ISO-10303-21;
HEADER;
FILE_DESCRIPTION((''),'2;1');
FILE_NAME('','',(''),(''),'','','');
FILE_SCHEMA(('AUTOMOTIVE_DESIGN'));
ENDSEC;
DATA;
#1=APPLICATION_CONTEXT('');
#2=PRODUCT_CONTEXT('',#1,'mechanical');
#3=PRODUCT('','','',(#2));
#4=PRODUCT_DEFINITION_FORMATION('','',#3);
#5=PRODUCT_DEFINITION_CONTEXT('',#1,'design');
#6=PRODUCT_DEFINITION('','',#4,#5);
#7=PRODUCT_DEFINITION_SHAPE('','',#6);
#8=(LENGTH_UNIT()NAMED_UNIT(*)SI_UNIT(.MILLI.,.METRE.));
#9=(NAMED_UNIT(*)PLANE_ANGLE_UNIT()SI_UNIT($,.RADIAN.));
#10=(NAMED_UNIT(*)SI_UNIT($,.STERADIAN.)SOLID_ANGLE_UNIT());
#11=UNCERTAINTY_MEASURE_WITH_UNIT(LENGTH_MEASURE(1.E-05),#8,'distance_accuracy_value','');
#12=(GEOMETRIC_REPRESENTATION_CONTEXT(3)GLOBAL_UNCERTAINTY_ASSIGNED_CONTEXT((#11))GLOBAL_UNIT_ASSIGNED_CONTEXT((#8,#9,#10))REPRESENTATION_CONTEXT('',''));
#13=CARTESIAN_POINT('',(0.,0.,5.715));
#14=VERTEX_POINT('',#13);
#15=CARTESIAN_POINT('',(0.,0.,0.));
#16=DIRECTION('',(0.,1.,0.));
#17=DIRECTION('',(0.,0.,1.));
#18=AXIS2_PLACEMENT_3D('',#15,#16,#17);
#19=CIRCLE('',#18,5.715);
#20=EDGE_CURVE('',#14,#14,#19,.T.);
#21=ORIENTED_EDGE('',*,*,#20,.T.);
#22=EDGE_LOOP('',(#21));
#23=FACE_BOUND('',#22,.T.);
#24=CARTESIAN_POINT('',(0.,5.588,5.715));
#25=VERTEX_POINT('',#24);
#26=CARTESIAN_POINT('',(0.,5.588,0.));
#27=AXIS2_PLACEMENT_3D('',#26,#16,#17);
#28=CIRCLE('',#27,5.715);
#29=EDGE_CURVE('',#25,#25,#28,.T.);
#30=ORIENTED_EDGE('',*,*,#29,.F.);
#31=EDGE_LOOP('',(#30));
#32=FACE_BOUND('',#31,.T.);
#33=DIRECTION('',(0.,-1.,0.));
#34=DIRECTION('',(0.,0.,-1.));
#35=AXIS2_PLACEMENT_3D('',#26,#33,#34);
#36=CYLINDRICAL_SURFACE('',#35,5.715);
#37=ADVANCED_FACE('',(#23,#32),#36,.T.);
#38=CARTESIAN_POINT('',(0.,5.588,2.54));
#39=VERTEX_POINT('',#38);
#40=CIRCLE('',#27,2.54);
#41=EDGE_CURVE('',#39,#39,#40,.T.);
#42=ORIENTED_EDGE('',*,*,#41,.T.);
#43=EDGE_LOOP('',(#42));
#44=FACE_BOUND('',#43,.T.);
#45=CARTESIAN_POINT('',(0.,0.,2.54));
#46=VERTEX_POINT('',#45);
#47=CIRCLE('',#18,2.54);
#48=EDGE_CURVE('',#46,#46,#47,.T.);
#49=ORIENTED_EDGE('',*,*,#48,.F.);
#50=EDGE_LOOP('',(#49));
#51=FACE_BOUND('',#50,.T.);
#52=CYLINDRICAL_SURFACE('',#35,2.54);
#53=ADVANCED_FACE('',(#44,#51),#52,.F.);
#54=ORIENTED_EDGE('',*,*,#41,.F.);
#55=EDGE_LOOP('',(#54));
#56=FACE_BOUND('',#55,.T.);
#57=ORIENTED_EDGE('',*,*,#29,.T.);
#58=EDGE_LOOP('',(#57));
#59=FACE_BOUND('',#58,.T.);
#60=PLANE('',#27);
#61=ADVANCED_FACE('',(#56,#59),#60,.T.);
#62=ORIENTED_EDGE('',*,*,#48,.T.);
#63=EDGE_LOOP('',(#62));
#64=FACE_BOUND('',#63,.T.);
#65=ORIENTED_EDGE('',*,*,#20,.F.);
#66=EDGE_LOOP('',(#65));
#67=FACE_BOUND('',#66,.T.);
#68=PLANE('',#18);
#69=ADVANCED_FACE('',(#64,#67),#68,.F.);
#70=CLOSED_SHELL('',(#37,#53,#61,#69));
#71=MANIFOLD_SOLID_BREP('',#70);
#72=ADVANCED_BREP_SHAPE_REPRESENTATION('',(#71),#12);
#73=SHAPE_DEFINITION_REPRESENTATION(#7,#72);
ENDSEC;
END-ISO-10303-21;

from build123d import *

# Parameters (mm, degrees)
SKETCH1_R           = 5.715
SKETCH1_R_2         = 2.54
BOSS_EXTRUDE1_DEPTH = 5.588


with BuildPart() as part:
    # Sketch1 → Boss-Extrude1 (new body)
    with BuildSketch(Plane(origin=(0, 0, 0), x_dir=(1, 0, 0), z_dir=(0, 1, 0))):
        Circle(SKETCH1_R)
        Circle(SKETCH1_R_2, mode=Mode.SUBTRACT)
    extrude(amount=BOSS_EXTRUDE1_DEPTH)


solid = part.part
